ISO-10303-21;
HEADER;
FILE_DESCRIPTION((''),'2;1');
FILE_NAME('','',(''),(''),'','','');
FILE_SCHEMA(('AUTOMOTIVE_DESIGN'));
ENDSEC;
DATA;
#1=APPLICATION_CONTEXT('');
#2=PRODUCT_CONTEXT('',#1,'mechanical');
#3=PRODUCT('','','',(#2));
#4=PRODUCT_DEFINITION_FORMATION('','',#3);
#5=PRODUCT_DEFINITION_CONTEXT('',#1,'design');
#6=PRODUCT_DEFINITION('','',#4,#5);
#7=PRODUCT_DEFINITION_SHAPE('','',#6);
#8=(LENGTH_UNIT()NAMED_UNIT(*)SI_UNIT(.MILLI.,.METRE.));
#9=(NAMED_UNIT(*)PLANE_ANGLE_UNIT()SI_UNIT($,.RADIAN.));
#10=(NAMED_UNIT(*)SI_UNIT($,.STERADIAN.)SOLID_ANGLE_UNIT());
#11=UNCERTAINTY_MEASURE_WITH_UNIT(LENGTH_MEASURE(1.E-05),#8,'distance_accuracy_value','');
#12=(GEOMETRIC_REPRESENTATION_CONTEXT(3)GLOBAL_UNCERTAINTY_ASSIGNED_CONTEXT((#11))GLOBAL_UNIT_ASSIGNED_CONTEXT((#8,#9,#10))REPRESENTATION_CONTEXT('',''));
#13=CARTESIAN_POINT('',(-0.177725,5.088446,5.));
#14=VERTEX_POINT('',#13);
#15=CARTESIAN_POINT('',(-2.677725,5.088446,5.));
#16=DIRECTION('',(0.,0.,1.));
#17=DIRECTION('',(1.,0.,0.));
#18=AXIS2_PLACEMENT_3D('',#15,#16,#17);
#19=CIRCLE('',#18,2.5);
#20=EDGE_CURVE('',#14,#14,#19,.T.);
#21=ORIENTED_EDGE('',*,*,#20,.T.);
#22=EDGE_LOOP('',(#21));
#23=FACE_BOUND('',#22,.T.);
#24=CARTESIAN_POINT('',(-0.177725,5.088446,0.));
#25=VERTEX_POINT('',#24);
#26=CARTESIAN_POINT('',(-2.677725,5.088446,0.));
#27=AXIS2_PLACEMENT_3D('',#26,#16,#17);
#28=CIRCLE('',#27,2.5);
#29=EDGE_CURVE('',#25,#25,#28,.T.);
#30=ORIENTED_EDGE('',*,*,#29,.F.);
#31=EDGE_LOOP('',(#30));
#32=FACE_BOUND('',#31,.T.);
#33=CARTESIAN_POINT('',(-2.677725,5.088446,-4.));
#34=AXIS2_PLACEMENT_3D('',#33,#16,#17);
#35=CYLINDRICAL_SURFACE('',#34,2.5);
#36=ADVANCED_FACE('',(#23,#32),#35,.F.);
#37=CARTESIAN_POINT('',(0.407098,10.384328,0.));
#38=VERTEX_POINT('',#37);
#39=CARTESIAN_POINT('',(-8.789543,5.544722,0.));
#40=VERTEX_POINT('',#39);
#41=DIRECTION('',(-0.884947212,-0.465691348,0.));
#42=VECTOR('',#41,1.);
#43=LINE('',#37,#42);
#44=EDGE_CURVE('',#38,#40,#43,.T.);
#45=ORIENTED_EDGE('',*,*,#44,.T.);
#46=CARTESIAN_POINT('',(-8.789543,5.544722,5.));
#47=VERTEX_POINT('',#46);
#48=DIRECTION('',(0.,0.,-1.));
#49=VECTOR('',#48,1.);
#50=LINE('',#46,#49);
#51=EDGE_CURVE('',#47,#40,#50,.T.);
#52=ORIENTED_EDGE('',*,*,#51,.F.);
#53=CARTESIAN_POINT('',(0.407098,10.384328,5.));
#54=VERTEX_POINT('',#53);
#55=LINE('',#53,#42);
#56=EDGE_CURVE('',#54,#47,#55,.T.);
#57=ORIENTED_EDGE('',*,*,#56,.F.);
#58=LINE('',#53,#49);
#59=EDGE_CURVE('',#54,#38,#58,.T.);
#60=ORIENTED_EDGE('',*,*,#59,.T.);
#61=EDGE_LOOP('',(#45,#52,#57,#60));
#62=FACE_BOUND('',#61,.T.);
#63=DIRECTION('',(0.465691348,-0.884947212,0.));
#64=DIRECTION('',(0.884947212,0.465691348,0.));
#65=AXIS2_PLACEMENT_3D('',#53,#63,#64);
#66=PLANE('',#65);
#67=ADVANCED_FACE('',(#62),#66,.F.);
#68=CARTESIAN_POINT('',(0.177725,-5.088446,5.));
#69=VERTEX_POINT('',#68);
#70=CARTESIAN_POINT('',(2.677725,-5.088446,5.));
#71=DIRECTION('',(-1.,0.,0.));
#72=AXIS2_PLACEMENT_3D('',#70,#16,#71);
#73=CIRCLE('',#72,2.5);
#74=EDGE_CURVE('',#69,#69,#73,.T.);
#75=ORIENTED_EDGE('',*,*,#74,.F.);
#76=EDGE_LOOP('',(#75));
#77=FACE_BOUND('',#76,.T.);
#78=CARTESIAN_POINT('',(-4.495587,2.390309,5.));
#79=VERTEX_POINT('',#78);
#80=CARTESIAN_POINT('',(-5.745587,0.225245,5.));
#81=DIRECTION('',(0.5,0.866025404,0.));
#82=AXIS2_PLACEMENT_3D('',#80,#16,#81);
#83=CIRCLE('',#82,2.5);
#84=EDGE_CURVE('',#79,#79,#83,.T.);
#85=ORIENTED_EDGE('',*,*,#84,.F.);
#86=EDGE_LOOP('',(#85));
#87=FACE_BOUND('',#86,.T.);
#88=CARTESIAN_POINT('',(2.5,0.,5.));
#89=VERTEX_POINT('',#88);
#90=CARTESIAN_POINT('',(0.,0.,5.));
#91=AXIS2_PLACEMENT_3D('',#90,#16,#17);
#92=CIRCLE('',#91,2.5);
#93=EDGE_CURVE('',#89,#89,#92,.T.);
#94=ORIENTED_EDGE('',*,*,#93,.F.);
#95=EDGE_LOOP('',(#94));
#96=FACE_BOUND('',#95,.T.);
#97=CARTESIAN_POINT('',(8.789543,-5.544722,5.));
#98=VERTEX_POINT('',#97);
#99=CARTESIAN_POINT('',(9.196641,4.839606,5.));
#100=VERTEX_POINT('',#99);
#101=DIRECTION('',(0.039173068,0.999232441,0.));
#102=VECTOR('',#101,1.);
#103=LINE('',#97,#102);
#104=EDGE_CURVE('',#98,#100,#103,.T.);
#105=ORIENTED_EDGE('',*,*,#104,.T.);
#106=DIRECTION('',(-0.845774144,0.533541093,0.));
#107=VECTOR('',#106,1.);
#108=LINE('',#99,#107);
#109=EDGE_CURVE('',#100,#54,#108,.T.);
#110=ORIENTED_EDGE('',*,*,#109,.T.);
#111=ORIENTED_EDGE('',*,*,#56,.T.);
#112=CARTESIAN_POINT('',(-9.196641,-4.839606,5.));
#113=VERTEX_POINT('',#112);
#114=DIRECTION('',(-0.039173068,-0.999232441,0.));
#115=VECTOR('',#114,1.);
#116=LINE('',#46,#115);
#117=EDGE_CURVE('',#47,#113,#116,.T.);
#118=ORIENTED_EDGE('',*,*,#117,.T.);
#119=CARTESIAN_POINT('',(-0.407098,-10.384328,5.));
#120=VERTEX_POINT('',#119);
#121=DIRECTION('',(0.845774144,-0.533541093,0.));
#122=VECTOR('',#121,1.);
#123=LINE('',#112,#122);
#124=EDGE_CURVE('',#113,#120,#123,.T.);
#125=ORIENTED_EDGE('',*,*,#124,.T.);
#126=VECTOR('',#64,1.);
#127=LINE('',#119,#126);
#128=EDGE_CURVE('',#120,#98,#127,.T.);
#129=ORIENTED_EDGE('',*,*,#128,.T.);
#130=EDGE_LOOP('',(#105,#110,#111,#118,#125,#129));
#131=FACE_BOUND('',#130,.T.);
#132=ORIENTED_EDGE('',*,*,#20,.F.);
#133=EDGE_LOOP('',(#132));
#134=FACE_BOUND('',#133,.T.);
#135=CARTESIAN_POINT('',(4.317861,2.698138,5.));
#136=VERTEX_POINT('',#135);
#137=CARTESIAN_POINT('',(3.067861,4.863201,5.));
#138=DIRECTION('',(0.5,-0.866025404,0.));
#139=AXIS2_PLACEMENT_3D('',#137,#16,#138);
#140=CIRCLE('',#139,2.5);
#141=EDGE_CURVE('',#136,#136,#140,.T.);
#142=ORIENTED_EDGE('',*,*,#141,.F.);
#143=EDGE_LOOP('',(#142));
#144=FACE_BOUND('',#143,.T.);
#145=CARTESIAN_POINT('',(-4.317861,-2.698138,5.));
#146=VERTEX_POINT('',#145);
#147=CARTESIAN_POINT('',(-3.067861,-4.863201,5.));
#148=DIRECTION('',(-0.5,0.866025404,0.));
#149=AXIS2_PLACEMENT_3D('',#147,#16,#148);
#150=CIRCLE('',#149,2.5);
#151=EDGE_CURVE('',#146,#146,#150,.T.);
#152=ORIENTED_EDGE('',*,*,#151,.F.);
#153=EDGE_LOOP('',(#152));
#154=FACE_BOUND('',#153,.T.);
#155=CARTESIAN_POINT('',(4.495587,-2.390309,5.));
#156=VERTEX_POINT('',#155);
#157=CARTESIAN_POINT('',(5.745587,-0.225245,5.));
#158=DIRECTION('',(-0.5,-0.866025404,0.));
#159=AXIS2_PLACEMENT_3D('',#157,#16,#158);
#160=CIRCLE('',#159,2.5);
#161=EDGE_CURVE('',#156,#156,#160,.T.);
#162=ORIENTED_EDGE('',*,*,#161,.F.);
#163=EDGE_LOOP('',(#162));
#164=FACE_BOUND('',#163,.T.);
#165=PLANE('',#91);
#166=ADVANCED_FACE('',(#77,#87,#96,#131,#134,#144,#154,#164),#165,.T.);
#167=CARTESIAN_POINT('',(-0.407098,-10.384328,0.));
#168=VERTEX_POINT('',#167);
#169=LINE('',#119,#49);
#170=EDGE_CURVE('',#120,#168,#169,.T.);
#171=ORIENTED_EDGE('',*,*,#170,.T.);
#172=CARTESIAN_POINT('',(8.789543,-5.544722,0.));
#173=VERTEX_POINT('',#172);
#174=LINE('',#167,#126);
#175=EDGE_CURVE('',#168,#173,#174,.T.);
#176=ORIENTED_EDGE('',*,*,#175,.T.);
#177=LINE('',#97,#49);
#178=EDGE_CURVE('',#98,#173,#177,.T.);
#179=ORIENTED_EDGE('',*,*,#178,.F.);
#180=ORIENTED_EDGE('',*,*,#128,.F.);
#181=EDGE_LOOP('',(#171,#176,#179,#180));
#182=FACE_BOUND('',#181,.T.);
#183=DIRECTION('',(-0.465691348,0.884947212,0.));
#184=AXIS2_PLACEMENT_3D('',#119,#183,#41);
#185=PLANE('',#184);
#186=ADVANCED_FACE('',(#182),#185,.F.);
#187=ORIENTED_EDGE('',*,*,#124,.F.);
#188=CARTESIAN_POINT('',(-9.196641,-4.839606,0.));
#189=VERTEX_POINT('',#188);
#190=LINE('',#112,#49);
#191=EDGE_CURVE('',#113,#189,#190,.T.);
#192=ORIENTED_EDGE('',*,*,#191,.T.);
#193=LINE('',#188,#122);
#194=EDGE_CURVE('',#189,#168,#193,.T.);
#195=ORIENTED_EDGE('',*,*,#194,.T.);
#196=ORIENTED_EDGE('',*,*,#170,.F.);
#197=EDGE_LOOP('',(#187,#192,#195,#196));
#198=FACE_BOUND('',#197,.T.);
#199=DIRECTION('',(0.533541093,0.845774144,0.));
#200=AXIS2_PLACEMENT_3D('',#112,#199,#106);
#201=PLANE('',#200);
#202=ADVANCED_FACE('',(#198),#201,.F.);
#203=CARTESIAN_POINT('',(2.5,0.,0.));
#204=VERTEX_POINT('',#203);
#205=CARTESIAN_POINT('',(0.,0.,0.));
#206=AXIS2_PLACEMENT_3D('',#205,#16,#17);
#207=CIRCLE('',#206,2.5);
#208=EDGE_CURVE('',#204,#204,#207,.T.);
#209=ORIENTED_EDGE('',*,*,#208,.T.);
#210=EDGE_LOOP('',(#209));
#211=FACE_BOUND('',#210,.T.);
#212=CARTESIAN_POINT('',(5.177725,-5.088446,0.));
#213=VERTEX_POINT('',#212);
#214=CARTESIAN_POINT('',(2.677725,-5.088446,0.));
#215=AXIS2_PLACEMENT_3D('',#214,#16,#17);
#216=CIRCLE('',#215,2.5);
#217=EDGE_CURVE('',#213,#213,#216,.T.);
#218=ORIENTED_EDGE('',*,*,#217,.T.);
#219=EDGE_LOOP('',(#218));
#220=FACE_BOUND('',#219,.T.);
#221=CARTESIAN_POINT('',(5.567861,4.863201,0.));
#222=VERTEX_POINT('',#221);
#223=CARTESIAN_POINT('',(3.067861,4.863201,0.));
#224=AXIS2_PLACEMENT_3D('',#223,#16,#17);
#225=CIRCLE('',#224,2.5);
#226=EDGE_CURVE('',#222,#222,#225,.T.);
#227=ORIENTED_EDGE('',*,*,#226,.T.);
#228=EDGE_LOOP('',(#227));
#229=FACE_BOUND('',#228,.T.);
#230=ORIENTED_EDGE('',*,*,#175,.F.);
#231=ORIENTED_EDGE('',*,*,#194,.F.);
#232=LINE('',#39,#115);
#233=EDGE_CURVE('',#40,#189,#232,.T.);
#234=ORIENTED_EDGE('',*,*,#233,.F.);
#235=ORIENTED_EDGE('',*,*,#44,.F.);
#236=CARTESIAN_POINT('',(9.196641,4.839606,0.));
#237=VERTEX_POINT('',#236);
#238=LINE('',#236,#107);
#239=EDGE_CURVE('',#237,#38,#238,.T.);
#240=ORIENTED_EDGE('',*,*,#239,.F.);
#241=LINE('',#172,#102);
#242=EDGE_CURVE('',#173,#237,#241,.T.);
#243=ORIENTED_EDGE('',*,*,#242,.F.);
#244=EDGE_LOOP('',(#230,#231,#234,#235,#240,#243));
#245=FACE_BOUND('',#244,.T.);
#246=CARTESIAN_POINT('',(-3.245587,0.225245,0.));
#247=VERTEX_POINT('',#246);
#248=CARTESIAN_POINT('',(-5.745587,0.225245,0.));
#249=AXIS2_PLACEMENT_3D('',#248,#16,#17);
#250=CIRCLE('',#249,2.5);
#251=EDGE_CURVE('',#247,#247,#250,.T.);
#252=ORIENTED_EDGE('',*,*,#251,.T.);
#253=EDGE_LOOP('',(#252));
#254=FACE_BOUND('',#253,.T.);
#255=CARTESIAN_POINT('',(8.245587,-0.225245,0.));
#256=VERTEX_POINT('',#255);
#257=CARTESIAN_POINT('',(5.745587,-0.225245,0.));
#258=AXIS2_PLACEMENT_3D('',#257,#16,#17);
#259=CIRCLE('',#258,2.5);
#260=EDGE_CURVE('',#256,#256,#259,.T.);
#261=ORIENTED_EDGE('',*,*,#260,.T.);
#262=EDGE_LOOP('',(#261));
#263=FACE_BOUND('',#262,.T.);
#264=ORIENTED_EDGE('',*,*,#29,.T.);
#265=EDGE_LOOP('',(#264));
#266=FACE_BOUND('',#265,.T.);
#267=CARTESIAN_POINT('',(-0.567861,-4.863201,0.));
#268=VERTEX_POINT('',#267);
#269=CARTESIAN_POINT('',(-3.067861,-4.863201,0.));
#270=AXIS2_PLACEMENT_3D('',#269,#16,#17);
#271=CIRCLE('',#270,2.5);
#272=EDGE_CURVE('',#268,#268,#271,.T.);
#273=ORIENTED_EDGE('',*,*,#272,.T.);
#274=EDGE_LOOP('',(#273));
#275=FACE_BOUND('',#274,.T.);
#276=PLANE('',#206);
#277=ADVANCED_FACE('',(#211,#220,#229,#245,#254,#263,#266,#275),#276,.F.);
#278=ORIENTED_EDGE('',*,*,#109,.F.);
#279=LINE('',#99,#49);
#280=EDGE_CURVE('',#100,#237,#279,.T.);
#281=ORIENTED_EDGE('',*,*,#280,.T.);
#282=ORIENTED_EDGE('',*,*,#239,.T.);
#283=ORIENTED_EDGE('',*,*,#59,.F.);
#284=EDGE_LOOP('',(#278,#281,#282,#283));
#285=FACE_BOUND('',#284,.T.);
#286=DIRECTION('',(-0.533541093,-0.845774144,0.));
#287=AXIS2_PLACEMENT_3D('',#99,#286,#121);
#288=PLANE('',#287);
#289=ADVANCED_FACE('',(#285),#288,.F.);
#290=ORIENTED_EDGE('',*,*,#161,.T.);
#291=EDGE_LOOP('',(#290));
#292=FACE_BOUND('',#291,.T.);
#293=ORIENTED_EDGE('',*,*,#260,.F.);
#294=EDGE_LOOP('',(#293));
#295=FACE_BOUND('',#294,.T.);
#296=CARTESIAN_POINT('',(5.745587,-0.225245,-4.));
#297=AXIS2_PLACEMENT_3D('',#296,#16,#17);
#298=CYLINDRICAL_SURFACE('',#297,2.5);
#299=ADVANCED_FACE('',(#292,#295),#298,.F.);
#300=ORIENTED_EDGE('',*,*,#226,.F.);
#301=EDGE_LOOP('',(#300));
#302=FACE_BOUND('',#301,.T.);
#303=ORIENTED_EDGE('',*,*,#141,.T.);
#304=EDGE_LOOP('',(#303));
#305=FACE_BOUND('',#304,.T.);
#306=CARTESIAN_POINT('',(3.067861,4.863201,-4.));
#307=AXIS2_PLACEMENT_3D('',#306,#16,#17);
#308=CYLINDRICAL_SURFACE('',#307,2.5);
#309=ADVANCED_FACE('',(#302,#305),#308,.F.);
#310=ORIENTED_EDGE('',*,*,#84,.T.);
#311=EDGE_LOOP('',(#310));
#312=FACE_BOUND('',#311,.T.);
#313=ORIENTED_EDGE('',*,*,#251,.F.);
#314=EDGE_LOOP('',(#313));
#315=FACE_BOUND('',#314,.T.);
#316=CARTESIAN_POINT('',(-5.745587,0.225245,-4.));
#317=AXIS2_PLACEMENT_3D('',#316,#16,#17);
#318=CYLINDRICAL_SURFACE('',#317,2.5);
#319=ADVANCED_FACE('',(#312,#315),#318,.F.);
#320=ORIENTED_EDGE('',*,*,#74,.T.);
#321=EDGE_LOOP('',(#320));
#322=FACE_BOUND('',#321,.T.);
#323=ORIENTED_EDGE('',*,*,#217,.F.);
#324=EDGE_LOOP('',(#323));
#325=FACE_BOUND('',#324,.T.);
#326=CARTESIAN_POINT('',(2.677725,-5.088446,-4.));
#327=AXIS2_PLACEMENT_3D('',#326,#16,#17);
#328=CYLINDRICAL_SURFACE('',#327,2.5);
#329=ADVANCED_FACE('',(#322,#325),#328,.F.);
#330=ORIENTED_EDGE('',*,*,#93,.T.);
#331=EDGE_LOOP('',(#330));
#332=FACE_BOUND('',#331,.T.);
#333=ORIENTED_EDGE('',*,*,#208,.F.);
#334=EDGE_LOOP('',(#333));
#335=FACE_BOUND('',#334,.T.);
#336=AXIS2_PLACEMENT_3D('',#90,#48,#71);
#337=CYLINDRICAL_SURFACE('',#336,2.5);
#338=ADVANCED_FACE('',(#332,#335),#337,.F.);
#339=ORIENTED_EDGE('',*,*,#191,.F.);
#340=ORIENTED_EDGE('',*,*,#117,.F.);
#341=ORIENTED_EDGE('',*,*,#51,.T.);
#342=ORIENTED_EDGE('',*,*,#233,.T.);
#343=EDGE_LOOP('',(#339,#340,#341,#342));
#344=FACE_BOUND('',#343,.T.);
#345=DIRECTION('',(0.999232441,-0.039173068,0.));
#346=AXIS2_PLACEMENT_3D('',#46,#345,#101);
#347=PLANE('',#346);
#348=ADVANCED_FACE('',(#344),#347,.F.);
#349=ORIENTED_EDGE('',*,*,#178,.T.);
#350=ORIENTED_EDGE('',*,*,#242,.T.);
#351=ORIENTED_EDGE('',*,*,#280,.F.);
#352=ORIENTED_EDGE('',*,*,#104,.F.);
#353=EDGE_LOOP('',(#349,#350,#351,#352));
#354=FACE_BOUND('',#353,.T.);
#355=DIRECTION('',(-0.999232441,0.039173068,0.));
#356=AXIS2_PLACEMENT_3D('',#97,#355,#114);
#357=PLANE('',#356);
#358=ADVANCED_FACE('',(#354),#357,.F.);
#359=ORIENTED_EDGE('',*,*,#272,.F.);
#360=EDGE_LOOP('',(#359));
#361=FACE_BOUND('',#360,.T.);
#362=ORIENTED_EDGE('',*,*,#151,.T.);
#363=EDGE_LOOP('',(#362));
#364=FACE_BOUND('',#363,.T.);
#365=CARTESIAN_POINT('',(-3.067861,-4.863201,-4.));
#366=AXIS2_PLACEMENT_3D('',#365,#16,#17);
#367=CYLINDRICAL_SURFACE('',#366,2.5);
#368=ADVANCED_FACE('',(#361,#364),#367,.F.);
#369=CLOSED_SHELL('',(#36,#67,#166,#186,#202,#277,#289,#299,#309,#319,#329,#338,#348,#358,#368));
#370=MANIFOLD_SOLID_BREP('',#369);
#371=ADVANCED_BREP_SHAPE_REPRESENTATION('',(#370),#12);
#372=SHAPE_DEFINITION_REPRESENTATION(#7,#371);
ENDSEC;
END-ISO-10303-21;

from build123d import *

# Parameters (mm, degrees)
SKETCH1_R           = 2.5
BOSS_EXTRUDE1_DEPTH = 5
SKETCH2_R           = 2.5
CUT_EXTRUDE1_DEPTH  = 9
CIRPATTERN1_COUNT   = 6


with BuildPart() as part:
    # Sketch1 → Boss-Extrude1 (new body)
    with BuildSketch(Plane.XY):
        Polygon((-8.789542733, 5.544721683), (-9.196641201, -4.839606453), (-0.407098468, -10.384328136), (8.789542733, -5.544721683), (9.196641201, 4.839606453), (0.407098468, 10.384328136), align=None)
        Circle(SKETCH1_R, mode=Mode.SUBTRACT)
    extrude(amount=BOSS_EXTRUDE1_DEPTH)

    # Sketch2 → Cut-Extrude1 (cut)
    with BuildSketch(Plane.XY.offset(5)):
        with Locations((-2.677725251, 5.08844647)):
            Circle(SKETCH2_R)
    cut_extrude1 = extrude(amount=-CUT_EXTRUDE1_DEPTH, mode=Mode.SUBTRACT)

    # CirPattern1: Cut-Extrude1 ×6 about axis
    cirpattern1_axis = Axis((0, 0, 0), (0, 0, 1))
    for i in range(1, CIRPATTERN1_COUNT):
        add(cut_extrude1.rotate(cirpattern1_axis, i * 360 / CIRPATTERN1_COUNT), mode=Mode.SUBTRACT)


solid = part.part
